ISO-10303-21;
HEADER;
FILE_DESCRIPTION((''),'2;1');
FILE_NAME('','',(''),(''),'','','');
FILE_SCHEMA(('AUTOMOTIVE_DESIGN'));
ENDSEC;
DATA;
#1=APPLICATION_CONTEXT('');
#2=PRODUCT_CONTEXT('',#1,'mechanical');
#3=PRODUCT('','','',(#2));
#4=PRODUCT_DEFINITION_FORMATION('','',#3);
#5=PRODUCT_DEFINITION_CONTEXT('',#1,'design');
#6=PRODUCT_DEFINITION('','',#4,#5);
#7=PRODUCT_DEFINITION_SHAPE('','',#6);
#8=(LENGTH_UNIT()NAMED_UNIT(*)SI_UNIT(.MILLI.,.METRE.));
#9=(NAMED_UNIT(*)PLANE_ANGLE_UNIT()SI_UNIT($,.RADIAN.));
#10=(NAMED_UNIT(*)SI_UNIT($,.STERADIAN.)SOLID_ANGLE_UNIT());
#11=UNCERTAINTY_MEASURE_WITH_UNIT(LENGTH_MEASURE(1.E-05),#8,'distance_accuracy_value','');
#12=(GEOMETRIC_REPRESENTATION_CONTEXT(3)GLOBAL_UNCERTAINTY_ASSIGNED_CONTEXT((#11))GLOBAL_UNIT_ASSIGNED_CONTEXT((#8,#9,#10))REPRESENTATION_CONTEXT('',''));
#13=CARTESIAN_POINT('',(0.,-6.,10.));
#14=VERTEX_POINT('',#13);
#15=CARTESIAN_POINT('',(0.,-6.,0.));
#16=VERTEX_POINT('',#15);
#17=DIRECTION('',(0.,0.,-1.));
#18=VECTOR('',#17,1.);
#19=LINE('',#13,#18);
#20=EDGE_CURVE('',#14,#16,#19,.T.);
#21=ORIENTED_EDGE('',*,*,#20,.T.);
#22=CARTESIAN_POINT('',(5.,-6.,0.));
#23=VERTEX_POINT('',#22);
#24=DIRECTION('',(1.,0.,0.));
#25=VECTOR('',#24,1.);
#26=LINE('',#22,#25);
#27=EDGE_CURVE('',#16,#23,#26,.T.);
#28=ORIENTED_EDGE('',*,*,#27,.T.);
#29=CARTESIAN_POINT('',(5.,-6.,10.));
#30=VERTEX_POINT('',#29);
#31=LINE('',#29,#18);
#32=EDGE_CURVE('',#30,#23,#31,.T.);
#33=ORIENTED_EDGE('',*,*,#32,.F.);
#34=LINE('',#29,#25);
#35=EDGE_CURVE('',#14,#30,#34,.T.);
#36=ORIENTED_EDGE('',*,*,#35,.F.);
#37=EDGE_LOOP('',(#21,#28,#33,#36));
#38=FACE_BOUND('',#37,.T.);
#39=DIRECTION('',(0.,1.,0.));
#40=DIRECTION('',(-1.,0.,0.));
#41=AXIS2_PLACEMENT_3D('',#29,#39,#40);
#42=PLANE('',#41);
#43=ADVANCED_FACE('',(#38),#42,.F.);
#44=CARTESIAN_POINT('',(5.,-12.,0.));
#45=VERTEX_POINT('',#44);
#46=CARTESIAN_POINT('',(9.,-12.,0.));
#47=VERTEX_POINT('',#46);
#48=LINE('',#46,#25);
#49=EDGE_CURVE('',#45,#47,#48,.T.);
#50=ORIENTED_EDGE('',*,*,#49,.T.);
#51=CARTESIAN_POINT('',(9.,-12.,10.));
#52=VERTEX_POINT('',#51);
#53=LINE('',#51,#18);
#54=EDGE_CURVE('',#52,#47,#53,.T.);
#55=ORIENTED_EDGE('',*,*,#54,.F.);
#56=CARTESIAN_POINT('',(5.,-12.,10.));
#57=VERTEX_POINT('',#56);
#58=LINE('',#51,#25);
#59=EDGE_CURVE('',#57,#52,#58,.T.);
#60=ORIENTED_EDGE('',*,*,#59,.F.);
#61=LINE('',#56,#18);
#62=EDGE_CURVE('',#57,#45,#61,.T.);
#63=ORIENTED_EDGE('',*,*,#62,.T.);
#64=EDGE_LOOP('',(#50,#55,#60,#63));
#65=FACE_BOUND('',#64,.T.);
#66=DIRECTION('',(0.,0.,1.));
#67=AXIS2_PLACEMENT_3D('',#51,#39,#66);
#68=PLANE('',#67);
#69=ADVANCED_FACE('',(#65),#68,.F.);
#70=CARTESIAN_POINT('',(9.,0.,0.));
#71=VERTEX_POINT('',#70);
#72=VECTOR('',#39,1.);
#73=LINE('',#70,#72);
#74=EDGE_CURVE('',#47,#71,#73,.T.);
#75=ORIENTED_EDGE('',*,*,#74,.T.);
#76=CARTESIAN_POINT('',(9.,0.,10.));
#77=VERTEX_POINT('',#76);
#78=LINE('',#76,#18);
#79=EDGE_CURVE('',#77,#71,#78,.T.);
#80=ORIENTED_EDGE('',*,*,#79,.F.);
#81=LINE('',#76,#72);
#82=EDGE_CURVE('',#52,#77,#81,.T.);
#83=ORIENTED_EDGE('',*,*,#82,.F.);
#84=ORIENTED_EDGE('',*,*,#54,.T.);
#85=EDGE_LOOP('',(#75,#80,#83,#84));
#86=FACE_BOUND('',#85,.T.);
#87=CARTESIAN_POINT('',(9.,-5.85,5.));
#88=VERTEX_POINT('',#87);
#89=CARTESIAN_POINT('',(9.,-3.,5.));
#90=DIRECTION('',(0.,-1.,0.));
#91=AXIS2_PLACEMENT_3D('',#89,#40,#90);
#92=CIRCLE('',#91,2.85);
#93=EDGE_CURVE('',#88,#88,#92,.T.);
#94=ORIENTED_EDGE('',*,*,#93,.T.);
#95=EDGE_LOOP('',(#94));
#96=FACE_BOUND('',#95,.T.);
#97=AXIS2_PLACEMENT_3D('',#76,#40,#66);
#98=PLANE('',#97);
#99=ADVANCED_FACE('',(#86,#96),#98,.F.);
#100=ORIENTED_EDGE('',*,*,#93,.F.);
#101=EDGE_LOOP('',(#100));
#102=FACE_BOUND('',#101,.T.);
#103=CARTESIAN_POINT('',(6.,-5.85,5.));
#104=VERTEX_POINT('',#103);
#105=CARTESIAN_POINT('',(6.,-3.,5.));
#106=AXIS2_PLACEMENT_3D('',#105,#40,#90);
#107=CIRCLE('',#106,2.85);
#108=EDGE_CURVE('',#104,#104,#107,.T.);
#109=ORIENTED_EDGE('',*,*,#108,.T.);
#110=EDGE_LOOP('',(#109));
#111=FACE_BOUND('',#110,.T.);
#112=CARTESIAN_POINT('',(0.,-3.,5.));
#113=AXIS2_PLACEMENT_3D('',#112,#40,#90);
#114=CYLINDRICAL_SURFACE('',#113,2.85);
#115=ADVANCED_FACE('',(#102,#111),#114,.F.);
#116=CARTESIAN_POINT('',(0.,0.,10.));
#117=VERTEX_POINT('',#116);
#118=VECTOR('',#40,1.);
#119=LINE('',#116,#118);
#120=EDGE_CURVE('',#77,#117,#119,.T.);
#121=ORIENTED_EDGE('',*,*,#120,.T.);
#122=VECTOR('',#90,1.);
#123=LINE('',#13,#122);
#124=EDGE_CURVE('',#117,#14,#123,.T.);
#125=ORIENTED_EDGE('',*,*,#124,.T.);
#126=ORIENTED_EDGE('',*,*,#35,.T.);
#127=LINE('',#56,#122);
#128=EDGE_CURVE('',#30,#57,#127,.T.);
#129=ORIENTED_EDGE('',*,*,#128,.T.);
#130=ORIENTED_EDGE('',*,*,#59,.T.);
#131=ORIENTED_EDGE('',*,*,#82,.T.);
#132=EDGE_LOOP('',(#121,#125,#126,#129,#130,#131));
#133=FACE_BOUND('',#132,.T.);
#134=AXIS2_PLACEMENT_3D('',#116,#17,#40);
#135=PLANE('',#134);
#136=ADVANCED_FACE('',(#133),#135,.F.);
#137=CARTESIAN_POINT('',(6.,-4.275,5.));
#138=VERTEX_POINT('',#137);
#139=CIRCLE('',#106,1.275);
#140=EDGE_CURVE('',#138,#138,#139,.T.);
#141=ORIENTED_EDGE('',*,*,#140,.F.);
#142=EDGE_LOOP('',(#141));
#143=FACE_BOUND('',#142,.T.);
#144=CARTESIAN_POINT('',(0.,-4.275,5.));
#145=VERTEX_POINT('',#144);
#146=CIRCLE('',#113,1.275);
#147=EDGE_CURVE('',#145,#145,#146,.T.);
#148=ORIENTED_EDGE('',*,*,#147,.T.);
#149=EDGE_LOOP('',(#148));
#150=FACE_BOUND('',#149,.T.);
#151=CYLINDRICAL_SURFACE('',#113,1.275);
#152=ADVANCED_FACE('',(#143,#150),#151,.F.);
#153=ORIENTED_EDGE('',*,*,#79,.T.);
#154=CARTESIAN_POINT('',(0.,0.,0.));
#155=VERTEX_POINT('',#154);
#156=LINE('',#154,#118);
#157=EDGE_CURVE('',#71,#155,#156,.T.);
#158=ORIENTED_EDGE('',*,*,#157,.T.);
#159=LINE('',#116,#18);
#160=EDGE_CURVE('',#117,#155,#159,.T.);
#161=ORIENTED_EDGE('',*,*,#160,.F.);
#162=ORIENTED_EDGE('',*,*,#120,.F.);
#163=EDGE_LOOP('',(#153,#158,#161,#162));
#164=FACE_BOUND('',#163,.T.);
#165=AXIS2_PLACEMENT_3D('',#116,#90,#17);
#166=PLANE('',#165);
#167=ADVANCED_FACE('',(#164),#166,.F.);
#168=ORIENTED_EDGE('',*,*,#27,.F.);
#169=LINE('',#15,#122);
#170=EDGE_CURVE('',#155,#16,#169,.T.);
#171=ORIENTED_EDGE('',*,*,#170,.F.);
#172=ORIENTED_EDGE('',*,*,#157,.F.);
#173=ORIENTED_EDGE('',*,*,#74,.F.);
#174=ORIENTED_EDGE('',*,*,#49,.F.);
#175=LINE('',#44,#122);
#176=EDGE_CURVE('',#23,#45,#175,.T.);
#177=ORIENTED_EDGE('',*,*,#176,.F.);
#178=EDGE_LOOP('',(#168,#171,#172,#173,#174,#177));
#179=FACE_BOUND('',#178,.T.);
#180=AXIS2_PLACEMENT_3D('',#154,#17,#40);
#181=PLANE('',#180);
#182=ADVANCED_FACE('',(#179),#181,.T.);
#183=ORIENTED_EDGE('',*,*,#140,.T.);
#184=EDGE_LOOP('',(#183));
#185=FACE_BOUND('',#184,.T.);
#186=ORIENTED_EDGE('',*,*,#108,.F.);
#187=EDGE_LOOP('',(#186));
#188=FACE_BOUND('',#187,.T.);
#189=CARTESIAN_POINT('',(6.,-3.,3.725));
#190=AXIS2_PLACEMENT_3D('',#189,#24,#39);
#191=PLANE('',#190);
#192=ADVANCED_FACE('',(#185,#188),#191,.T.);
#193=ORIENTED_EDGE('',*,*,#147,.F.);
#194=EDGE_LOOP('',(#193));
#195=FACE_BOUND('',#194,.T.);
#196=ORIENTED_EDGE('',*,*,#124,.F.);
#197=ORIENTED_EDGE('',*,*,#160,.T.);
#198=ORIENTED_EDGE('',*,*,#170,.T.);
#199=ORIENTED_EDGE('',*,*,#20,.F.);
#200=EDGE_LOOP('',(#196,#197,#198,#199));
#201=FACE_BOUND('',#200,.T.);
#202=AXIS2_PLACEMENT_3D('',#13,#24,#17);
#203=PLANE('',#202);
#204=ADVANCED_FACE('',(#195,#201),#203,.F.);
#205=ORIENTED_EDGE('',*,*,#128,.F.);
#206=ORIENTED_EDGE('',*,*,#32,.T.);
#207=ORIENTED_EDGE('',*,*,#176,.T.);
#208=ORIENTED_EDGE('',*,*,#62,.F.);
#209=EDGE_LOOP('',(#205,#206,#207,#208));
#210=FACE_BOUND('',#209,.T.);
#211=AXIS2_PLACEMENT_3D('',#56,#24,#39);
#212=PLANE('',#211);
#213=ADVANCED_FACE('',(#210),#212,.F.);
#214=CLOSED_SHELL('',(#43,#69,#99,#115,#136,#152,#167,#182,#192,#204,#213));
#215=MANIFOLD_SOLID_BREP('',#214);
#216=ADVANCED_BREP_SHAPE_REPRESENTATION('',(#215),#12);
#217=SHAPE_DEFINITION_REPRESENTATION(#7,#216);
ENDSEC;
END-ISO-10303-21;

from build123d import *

# Parameters (mm, degrees)
BOSS_EXTRUDE1_DEPTH = 10


with BuildPart() as part:
    # Sketch1 → Boss-Extrude1 (new body)
    with BuildSketch(Plane.XY):
        Polygon((0, 0), (9, 0), (9, -12), (5, -12), (5, -6), (0, -6), align=None)
    extrude(amount=BOSS_EXTRUDE1_DEPTH)

    # Sketch4 → Cut-Revolve2 (revolve, cut)
    with BuildSketch(Plane(origin=(0, -3, 0), x_dir=(1, 0, 0), z_dir=(0, 1, 0)), mode=Mode.PRIVATE) as cut_revolve2_sk:
        Polygon((0, -5), (9, -5), (9, -2.15), (6, -2.15), (6, -3.725), (0, -3.725), align=None)
    revolve(cut_revolve2_sk.sketch.rotate(Axis((0, -3, 5), (1, 0, 0)), 270), axis=Axis((0, -3, 5), (1, 0, 0)), mode=Mode.SUBTRACT)


solid = part.part
